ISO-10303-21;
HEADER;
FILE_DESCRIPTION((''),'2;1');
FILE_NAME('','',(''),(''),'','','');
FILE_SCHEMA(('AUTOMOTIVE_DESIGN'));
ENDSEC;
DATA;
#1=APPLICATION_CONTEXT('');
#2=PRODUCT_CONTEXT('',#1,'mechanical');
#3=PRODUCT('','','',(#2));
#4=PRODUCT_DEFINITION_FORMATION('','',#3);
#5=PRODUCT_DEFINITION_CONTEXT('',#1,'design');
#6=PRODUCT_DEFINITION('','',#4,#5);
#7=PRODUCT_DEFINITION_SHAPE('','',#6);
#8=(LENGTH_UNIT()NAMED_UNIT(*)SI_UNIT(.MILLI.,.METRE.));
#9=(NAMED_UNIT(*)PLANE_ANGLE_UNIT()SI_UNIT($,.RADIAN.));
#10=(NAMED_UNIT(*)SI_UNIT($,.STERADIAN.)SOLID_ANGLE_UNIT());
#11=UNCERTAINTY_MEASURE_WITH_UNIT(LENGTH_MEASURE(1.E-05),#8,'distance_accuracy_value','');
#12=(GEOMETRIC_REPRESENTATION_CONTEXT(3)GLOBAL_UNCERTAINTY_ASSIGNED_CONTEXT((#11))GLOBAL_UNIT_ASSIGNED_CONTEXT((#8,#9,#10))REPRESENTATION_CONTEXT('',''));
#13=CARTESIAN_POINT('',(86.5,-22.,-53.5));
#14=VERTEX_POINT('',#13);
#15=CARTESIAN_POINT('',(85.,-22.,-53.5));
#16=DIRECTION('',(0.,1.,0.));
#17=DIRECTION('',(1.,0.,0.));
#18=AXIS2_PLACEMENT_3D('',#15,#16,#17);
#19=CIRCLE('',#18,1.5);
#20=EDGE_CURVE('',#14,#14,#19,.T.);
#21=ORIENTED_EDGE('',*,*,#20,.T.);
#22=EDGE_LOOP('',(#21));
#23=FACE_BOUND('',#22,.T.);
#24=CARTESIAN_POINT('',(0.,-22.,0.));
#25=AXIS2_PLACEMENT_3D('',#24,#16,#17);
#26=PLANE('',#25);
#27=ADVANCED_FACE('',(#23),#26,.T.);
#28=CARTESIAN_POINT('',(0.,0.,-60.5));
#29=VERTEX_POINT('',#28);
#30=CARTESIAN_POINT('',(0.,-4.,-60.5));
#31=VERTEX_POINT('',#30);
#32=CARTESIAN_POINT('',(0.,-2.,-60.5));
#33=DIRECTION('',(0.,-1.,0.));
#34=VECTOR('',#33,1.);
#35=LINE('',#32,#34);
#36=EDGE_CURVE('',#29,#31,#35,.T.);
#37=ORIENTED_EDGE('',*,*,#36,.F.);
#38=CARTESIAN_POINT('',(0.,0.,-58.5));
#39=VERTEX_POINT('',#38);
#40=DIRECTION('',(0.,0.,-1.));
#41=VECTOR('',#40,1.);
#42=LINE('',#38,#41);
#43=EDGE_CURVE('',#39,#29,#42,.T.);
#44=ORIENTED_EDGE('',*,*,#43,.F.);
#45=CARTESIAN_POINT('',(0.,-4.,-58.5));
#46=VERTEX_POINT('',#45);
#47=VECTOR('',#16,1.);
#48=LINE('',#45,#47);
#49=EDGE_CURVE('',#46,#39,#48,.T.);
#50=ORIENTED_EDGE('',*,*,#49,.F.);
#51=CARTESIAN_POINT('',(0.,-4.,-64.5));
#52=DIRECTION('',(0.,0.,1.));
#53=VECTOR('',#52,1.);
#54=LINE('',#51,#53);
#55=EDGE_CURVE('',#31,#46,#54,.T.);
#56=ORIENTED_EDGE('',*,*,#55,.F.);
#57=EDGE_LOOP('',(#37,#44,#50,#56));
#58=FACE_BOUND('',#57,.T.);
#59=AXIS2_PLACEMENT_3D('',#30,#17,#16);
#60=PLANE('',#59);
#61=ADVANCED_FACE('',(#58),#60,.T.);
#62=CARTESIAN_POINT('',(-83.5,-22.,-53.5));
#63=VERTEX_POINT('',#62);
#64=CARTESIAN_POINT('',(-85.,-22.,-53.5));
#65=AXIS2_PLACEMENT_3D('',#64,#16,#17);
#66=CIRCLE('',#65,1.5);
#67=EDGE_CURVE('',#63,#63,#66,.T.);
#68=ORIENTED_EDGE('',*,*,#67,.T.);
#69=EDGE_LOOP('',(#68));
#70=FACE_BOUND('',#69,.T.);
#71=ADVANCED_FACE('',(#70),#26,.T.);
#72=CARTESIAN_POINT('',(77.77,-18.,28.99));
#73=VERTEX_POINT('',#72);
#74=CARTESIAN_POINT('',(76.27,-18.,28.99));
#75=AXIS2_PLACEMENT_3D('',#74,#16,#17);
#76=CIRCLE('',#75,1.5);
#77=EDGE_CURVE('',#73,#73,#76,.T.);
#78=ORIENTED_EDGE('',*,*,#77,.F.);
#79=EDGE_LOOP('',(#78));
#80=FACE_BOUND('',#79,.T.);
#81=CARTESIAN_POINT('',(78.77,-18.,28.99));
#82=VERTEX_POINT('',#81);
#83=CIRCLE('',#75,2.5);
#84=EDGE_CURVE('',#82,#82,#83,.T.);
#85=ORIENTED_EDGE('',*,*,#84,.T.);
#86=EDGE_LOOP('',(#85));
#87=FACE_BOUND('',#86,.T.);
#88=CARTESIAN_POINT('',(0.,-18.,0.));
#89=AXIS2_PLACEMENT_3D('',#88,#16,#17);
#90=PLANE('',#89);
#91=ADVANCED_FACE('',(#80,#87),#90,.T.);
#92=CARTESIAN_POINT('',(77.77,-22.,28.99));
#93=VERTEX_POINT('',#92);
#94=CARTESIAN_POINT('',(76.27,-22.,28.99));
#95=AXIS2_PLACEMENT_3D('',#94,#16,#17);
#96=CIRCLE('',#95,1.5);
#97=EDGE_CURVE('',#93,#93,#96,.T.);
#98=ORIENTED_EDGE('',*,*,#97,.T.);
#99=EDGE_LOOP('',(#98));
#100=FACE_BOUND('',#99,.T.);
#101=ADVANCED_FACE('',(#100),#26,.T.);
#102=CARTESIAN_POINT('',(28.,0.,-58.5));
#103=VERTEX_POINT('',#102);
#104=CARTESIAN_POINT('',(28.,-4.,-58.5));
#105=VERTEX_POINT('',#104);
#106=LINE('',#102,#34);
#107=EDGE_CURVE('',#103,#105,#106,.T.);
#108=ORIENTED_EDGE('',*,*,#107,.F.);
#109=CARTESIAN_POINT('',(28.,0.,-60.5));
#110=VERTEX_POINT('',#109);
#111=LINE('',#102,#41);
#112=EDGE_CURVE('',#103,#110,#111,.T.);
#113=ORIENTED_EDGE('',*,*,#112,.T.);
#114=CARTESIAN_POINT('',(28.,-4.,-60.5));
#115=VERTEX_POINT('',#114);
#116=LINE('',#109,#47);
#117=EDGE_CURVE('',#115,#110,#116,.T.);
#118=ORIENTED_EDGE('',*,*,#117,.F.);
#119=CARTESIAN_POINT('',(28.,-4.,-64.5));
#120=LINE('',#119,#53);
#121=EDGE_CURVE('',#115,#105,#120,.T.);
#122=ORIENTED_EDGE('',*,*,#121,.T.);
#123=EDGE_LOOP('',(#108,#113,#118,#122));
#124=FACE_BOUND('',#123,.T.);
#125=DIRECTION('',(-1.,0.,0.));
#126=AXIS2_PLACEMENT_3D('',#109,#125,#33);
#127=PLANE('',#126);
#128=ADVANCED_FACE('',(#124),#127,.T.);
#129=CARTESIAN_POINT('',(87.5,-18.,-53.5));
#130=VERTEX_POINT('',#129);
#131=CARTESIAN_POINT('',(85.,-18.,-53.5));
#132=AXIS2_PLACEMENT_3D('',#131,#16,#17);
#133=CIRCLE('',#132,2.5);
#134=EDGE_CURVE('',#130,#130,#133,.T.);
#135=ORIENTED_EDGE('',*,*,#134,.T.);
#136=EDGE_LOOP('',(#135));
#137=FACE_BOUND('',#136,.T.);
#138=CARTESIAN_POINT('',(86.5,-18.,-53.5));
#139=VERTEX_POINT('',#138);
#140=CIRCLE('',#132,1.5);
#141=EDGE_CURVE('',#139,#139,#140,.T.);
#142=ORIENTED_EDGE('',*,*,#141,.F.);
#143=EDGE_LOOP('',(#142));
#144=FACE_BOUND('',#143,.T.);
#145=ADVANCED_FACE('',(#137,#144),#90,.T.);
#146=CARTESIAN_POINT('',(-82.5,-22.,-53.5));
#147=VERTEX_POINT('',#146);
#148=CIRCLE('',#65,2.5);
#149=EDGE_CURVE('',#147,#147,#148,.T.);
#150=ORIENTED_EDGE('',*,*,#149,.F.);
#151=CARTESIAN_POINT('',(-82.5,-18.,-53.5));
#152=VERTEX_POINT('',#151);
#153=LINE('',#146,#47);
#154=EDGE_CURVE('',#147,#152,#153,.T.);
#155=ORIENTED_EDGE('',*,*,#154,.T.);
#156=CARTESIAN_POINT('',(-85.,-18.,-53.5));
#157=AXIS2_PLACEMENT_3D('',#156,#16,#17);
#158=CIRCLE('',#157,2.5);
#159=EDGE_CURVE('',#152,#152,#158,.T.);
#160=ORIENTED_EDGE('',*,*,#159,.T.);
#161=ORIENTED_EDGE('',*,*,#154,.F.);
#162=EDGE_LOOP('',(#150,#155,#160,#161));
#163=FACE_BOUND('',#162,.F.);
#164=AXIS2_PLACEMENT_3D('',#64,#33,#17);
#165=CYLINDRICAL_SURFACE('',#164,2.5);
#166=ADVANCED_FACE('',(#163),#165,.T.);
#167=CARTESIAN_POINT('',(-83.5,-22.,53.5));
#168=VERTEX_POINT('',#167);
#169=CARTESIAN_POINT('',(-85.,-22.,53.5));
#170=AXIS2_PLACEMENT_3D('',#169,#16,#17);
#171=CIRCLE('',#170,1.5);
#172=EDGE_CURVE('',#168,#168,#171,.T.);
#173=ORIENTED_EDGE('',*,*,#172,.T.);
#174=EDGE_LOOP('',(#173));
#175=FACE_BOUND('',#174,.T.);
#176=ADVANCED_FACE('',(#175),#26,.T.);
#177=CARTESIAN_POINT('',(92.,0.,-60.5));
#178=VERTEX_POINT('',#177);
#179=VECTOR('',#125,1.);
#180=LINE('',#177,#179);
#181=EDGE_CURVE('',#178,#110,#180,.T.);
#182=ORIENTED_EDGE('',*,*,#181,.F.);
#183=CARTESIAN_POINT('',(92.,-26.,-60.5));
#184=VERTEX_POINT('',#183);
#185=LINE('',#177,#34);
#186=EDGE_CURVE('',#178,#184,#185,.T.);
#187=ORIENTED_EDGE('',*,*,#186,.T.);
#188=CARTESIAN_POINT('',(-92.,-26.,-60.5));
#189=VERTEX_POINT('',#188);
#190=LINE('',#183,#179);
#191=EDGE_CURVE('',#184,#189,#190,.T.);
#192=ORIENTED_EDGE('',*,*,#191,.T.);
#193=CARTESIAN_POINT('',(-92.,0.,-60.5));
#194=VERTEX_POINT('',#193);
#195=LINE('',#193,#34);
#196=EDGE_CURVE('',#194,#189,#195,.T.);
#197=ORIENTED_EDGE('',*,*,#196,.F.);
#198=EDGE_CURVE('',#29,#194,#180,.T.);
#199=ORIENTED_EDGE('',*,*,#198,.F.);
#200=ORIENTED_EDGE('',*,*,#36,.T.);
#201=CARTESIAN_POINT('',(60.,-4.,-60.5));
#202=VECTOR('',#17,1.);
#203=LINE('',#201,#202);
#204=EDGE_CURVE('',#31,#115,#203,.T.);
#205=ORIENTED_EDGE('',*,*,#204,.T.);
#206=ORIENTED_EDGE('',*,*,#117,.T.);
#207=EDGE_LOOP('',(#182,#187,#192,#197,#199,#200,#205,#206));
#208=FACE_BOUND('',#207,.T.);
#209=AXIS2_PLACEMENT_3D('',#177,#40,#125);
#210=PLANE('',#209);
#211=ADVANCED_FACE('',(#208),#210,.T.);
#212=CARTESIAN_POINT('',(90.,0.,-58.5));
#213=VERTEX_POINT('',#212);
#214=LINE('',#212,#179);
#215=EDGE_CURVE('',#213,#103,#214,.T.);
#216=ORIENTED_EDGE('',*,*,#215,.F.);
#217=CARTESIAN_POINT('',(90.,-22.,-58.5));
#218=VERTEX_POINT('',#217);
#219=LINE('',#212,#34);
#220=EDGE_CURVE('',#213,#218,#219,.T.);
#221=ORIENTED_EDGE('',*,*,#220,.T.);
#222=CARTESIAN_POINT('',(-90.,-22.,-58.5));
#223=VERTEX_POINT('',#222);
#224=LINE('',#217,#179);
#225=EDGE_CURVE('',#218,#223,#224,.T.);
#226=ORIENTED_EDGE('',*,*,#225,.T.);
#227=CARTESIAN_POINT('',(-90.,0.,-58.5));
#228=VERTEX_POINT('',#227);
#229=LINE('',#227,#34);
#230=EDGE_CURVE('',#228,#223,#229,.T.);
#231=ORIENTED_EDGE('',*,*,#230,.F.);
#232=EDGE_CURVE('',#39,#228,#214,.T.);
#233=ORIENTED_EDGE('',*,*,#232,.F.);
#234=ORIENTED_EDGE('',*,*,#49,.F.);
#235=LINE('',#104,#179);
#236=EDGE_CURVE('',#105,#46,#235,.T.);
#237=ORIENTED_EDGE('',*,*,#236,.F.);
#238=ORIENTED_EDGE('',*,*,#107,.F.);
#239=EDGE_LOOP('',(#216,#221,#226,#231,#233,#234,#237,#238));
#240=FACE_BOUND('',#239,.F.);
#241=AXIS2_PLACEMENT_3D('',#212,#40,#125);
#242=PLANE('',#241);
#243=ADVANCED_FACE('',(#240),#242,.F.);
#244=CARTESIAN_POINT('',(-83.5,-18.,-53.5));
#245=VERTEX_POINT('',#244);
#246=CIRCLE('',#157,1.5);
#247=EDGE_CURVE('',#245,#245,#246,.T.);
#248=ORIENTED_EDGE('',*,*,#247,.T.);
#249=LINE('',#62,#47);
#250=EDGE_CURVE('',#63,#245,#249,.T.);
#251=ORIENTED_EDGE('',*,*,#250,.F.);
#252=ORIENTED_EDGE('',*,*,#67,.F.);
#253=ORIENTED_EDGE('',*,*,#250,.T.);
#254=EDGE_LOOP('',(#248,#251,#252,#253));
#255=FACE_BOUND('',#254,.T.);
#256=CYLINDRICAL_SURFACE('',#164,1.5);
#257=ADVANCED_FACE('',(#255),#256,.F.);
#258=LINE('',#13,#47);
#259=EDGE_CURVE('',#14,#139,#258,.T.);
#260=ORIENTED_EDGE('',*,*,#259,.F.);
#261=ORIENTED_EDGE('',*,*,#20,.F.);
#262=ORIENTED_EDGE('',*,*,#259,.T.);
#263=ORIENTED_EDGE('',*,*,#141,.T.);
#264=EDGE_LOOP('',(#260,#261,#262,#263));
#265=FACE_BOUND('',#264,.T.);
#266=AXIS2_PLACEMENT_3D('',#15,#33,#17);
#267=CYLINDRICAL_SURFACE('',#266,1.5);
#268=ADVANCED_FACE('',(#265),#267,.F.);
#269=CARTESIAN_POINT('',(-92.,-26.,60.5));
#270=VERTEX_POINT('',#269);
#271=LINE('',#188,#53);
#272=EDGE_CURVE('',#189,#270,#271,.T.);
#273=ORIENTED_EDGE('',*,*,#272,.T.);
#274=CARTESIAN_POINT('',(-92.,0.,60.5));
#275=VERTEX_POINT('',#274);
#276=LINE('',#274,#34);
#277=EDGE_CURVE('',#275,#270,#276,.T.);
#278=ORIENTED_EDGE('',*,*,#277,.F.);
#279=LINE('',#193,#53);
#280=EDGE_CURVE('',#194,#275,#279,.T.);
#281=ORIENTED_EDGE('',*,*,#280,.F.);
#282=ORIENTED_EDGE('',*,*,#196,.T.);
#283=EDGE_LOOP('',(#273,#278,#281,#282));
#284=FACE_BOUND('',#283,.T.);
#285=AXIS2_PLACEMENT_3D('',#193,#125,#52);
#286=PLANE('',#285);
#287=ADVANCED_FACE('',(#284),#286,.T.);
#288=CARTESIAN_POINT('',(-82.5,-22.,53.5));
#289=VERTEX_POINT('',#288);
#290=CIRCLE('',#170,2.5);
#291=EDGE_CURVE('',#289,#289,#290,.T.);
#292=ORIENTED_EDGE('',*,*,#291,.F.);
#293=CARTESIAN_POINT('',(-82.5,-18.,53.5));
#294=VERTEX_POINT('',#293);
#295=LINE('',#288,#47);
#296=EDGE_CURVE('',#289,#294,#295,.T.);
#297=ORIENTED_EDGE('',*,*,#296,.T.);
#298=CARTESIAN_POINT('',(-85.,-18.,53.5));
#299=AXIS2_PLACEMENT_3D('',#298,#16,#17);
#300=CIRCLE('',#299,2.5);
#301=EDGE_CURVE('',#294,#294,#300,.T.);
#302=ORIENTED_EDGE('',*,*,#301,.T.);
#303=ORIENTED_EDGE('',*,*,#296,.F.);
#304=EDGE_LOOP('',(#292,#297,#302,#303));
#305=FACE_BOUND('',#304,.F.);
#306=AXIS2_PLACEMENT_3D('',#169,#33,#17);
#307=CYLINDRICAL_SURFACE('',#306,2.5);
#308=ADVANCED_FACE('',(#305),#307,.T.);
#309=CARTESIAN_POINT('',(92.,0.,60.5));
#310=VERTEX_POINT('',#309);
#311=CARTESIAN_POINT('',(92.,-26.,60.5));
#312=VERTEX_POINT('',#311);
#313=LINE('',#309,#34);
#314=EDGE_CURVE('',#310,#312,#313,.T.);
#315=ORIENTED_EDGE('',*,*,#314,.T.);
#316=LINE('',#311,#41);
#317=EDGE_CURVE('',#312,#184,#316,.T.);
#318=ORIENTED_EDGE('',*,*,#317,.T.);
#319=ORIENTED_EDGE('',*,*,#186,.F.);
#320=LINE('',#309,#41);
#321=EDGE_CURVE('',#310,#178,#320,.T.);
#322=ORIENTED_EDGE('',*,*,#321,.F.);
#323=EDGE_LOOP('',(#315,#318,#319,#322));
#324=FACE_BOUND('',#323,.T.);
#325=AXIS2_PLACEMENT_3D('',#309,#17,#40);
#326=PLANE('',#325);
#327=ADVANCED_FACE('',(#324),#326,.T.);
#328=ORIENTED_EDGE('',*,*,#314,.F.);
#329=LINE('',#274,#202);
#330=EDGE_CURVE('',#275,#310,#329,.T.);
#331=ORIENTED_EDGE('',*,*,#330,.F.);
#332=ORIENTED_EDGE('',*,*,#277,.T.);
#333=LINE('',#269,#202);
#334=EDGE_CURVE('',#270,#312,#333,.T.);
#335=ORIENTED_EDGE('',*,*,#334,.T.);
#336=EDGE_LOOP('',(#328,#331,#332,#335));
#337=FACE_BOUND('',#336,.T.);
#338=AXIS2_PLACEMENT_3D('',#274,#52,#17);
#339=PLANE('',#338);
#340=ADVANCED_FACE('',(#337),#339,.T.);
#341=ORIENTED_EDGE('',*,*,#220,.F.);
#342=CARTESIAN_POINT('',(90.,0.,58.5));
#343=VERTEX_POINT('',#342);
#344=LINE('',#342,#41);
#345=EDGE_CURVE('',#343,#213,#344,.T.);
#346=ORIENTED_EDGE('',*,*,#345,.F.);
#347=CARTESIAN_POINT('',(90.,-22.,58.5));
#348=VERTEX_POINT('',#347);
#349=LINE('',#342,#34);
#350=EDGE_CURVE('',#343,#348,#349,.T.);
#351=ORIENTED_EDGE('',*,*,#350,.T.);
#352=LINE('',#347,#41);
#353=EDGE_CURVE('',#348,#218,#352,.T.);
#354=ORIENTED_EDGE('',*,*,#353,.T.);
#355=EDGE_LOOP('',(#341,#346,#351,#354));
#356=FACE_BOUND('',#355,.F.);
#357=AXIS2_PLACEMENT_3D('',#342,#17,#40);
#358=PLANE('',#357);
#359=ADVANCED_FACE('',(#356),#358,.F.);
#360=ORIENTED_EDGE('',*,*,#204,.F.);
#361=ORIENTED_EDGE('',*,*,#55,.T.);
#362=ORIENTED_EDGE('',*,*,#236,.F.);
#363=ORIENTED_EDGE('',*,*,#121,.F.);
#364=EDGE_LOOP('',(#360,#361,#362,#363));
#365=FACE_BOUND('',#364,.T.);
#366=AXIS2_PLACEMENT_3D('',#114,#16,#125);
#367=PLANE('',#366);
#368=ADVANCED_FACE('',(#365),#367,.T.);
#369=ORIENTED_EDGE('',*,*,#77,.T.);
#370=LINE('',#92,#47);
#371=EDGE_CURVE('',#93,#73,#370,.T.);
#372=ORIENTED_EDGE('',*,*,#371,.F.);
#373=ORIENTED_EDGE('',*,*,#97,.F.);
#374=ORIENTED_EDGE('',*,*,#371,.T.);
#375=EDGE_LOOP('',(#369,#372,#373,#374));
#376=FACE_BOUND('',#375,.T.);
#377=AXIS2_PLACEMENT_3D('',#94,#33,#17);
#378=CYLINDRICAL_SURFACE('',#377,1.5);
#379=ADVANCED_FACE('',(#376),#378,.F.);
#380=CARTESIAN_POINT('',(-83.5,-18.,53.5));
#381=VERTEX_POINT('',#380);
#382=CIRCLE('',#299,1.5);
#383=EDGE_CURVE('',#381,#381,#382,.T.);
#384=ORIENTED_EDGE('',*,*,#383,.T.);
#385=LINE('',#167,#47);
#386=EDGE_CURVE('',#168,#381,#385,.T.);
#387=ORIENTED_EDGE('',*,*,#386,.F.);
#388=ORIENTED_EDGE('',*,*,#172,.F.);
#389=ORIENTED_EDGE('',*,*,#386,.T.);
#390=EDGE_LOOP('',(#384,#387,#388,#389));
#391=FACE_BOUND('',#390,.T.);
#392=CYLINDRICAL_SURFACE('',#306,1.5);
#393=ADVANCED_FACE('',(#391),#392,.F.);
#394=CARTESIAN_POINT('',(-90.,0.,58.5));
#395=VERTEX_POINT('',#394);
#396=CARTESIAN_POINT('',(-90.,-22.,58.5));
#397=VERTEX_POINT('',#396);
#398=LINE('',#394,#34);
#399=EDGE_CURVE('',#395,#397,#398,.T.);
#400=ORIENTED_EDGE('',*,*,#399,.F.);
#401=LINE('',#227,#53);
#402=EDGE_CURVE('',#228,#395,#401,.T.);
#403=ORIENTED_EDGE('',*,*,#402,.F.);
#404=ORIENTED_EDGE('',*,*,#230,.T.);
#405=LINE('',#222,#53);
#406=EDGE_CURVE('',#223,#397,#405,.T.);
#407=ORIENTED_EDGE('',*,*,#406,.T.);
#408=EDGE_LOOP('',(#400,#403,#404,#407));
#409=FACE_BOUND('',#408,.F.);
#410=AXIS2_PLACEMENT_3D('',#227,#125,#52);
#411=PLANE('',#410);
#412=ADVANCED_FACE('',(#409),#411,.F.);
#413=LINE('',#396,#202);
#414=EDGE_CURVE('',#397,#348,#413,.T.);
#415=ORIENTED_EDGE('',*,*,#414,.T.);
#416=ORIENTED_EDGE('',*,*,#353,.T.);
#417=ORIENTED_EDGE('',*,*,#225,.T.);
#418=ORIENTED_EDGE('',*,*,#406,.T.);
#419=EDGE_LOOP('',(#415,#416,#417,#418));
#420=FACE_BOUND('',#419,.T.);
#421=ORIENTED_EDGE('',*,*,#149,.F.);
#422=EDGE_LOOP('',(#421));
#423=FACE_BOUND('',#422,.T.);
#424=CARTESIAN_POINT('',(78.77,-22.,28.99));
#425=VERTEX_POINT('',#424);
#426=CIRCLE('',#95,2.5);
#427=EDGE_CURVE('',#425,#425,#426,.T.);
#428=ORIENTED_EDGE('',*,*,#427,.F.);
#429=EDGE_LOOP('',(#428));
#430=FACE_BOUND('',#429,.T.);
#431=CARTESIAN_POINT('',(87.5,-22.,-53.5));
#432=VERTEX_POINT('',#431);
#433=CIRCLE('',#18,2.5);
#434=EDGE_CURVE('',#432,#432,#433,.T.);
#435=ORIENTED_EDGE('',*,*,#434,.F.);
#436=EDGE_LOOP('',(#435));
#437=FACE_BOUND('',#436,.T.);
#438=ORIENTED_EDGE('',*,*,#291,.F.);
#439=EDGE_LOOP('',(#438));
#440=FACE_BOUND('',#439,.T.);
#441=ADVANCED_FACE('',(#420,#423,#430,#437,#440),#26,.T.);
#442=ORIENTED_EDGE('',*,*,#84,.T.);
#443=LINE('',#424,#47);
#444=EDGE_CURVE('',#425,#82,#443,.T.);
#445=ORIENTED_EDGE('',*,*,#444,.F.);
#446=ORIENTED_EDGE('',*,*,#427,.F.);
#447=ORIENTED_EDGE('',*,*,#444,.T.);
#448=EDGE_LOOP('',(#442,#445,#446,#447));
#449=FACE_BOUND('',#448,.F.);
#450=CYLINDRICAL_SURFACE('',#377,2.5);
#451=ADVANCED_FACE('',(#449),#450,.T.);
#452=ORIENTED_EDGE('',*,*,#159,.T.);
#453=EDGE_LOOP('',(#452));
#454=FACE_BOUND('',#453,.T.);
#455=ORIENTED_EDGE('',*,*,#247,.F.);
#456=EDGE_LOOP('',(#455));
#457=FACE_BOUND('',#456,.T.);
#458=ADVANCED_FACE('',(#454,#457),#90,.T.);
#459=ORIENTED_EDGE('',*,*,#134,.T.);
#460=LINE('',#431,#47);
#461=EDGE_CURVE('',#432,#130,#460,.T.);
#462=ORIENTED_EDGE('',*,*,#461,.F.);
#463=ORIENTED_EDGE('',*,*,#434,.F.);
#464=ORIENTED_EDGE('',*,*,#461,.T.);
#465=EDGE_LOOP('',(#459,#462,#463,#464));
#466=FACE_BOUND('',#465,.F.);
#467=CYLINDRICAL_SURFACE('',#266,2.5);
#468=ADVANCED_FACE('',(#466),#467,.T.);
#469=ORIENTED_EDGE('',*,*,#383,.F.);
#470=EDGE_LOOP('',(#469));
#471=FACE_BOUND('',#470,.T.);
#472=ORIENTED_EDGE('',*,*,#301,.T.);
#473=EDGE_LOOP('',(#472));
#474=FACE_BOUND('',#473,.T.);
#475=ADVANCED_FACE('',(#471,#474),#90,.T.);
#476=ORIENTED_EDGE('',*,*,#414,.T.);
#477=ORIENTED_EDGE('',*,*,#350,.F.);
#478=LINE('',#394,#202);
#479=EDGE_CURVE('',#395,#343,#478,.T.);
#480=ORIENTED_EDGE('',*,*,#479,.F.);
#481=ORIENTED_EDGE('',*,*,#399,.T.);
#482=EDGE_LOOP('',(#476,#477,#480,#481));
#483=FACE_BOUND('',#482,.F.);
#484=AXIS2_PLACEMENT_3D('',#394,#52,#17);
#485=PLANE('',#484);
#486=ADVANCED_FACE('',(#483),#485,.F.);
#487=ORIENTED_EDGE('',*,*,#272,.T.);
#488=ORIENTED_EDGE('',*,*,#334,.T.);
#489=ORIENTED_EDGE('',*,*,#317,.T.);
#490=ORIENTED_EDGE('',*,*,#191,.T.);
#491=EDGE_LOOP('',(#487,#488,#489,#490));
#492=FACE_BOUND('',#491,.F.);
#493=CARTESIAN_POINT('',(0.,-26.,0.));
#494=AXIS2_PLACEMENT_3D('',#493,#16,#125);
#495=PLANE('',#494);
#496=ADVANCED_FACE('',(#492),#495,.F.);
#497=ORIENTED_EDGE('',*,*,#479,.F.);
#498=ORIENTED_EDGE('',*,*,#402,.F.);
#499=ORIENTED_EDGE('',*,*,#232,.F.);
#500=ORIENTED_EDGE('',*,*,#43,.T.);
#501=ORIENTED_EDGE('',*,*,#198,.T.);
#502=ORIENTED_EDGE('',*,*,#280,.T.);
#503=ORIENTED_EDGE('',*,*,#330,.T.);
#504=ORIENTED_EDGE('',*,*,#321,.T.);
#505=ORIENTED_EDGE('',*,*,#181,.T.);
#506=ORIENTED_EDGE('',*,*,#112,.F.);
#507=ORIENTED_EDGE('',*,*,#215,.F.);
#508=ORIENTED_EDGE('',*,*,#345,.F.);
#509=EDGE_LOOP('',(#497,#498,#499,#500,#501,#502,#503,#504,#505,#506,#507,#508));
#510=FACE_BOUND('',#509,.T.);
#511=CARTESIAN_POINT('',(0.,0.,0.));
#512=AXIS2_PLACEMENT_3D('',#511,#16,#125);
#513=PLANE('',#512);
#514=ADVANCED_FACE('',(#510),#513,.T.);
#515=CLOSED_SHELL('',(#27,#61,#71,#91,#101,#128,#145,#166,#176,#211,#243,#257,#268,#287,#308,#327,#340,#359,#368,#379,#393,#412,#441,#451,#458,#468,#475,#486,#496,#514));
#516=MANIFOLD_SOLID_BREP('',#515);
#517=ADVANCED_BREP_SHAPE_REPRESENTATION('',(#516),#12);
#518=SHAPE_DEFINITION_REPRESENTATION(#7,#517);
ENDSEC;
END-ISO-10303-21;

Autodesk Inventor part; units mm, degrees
ref_plane "YZ Plane" through (0, 0, 0) normal (1, 0, 0) x (0, 1, 0)
ref_plane "XZ Plane" through (0, 0, 0) normal (0, 1, 0) x (-1, 0, 0)
ref_plane "XY Plane" through (0, 0, 0) normal (0, 0, 1) x (1, 0, 0)
sketch "Base" plane through (0, 0, 0) normal (0, 1, 0) x (-1, 0, 0)
  line L0 (92, 60.5) -> (-92, 60.5)
  line L1 (-92, 60.5) -> (-92, -60.5)
  line L2 (-92, -60.5) -> (92, -60.5)
  line L3 (92, -60.5) -> (92, 60.5)
  line L4 (92, 60.5) -> (-92, -60.5) construction
  line L5 (-92, 60.5) -> (92, -60.5) construction
  point P0 (0, 0)
  dimension "d0" = 184
  dimension "d1" = 121
extrude "Extrusão1" add sketch "Base" against normal blind 26
sketch "Esboço2" plane through (0, 0, 0) normal (0, 1, 0) x (1, 0, 0)
  line L0 (-90, -58.5) -> (90, -58.5)
  line L1 (90, -58.5) -> (90, 58.5)
  line L2 (90, 58.5) -> (-90, 58.5)
  line L3 (-90, 58.5) -> (-90, -58.5)
  line L4 (-90, -58.5) -> (90, 58.5) construction
  line L5 (90, -58.5) -> (-90, 58.5) construction
  point P0 (0, 0)
  dimension "d4" = 180
  dimension "d5" = 117
extrude "Extrusão2" cut sketch "Esboço2" against normal blind 22
sketch "Esboço3" plane through (0, -22, 0) normal (0, 1, 0) x (1, 0, 0)
  circle A0 centre (-85, -53.5) radius 2.5
  line L0 (-92, 60.5) -> (-92, -60.5) projected
  line L1 (-92, -60.5) -> (92, -60.5) projected
  circle A1 centre (-85, -53.5) radius 1.5
  line L2 (-90, -58.5) -> (-90, 58.5) projected
  line L3 (90, 58.5) -> (90, -58.5) projected
  circle A2 centre (-85, 53.5) radius 2.5
  circle A3 centre (-85, 53.5) radius 1.5
  line L4 (-90, 58.5) -> (90, 58.5) projected
  line L5 (90, -58.5) -> (-90, -58.5) projected
  circle A4 centre (85, 53.5) radius 1.5
  circle A5 centre (85, 53.5) radius 2.5
  line L6 (92, -60.5) -> (92, 60.5) projected
  line L7 (92, 60.5) -> (-92, 60.5) projected
  circle A6 centre (76.27, -28.99) radius 2.5
  circle A7 centre (76.27, -28.99) radius 1.5
  point P0 (0, 0)
  dimension "d8" = 5
  dimension "d9" = 7
  dimension "d10" = 7
  dimension "d11" = 3
  dimension "d12" = 7
  dimension "d13" = 7
  dimension "d14" = 5
  dimension "d15" = 31.51
  dimension "d16" = 15.73
  dimension "d17" = 3
extrude "Extrusão3" add sketch "Esboço3" along normal blind 4 contours A0 | A2 | A5 | A6
sketch "Esboço4" plane through (92, 0, -60.5) normal (0, 0, -1) x (-1, 0, 0)
  line L0 (92, 0) -> (64, 0)
  line L1 (64, 0) -> (64, -4)
  line L2 (64, -4) -> (92, -4)
  line L3 (92, -4) -> (92, 0)
  line L4 (92, 0) -> (64, -4) construction
  line L5 (64, 0) -> (92, -4) construction
  line L6 (184, 0) -> (184, -26) projected
  line L7 (0, 0) -> (184, 0) projected
  line L8 (184, -26) -> (0, -26) projected
  point P0 (92, 0)
  point P1 (78, -2)
  point P2 (64, -2)
  dimension "d20" = 120
  dimension "d21" = 28
  dimension "d22" = 0
  dimension "d24" = 4
extrude "Extrusão4" cut sketch "Esboço4" along normal blind 4 and the other way blind 2
properties part number "base_traseira_3DPrint"
